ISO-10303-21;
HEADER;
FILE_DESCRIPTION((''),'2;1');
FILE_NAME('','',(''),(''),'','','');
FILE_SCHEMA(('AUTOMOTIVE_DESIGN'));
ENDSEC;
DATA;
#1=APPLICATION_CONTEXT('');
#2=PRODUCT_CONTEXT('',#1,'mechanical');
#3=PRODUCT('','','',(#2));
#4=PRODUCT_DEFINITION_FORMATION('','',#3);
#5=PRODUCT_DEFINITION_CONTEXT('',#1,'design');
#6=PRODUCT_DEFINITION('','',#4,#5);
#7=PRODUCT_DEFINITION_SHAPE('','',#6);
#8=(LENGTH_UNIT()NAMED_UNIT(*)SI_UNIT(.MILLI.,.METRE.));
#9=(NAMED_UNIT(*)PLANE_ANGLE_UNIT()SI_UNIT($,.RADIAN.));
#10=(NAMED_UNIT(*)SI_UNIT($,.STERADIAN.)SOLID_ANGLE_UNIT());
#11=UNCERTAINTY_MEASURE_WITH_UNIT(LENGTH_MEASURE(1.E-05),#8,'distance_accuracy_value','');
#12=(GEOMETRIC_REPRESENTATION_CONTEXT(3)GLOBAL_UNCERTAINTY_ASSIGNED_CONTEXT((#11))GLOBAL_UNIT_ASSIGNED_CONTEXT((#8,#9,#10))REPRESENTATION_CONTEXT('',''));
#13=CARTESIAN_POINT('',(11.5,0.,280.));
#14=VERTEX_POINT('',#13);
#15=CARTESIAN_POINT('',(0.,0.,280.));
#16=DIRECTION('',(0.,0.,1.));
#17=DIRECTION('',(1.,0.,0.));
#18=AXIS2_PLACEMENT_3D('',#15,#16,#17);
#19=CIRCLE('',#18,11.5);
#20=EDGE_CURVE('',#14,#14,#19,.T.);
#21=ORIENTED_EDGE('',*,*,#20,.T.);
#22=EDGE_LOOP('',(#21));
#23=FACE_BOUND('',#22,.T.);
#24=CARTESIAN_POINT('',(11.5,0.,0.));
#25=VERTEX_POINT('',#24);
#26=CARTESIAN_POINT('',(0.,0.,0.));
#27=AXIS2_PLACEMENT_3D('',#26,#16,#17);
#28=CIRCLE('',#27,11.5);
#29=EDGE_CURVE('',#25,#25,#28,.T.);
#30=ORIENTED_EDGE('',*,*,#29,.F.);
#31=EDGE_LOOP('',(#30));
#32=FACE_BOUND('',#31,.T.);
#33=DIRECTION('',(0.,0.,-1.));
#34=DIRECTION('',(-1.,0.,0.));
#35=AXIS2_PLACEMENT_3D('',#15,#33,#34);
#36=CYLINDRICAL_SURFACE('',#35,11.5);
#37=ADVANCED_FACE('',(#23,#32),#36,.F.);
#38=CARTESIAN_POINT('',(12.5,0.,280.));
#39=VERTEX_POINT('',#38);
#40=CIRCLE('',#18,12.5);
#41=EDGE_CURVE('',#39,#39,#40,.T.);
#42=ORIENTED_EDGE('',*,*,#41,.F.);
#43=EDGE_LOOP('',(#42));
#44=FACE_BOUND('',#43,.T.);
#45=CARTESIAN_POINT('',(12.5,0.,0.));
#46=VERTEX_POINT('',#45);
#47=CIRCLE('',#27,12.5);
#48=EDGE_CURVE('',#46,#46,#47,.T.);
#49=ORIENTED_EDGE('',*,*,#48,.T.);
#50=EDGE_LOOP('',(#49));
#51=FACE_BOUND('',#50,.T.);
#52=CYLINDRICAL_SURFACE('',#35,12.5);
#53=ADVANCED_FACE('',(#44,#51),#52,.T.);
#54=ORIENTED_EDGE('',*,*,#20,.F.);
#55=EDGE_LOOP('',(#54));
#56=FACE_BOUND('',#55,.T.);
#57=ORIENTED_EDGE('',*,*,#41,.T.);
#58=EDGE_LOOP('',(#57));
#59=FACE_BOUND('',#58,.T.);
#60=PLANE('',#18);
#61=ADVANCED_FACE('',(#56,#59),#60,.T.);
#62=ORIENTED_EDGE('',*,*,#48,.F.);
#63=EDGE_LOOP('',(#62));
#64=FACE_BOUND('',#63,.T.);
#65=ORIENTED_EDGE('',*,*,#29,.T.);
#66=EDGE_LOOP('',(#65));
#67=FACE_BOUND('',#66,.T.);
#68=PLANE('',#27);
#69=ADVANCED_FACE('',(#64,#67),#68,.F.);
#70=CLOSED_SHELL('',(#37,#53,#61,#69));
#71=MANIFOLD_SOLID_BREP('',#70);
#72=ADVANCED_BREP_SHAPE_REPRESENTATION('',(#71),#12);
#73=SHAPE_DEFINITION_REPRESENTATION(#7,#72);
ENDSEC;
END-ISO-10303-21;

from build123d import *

# Parameters (mm, degrees)
ESQUISSE1_R      = 12.5
ESQUISSE1_R_2    = 11.5
EXTRUSION1_DEPTH = 280


with BuildPart() as part:
    # Esquisse1 → Extrusion1 (new body)
    with BuildSketch(Plane.XY):
        Circle(ESQUISSE1_R)
        Circle(ESQUISSE1_R_2, mode=Mode.SUBTRACT)
    extrude(amount=EXTRUSION1_DEPTH)


solid = part.part
